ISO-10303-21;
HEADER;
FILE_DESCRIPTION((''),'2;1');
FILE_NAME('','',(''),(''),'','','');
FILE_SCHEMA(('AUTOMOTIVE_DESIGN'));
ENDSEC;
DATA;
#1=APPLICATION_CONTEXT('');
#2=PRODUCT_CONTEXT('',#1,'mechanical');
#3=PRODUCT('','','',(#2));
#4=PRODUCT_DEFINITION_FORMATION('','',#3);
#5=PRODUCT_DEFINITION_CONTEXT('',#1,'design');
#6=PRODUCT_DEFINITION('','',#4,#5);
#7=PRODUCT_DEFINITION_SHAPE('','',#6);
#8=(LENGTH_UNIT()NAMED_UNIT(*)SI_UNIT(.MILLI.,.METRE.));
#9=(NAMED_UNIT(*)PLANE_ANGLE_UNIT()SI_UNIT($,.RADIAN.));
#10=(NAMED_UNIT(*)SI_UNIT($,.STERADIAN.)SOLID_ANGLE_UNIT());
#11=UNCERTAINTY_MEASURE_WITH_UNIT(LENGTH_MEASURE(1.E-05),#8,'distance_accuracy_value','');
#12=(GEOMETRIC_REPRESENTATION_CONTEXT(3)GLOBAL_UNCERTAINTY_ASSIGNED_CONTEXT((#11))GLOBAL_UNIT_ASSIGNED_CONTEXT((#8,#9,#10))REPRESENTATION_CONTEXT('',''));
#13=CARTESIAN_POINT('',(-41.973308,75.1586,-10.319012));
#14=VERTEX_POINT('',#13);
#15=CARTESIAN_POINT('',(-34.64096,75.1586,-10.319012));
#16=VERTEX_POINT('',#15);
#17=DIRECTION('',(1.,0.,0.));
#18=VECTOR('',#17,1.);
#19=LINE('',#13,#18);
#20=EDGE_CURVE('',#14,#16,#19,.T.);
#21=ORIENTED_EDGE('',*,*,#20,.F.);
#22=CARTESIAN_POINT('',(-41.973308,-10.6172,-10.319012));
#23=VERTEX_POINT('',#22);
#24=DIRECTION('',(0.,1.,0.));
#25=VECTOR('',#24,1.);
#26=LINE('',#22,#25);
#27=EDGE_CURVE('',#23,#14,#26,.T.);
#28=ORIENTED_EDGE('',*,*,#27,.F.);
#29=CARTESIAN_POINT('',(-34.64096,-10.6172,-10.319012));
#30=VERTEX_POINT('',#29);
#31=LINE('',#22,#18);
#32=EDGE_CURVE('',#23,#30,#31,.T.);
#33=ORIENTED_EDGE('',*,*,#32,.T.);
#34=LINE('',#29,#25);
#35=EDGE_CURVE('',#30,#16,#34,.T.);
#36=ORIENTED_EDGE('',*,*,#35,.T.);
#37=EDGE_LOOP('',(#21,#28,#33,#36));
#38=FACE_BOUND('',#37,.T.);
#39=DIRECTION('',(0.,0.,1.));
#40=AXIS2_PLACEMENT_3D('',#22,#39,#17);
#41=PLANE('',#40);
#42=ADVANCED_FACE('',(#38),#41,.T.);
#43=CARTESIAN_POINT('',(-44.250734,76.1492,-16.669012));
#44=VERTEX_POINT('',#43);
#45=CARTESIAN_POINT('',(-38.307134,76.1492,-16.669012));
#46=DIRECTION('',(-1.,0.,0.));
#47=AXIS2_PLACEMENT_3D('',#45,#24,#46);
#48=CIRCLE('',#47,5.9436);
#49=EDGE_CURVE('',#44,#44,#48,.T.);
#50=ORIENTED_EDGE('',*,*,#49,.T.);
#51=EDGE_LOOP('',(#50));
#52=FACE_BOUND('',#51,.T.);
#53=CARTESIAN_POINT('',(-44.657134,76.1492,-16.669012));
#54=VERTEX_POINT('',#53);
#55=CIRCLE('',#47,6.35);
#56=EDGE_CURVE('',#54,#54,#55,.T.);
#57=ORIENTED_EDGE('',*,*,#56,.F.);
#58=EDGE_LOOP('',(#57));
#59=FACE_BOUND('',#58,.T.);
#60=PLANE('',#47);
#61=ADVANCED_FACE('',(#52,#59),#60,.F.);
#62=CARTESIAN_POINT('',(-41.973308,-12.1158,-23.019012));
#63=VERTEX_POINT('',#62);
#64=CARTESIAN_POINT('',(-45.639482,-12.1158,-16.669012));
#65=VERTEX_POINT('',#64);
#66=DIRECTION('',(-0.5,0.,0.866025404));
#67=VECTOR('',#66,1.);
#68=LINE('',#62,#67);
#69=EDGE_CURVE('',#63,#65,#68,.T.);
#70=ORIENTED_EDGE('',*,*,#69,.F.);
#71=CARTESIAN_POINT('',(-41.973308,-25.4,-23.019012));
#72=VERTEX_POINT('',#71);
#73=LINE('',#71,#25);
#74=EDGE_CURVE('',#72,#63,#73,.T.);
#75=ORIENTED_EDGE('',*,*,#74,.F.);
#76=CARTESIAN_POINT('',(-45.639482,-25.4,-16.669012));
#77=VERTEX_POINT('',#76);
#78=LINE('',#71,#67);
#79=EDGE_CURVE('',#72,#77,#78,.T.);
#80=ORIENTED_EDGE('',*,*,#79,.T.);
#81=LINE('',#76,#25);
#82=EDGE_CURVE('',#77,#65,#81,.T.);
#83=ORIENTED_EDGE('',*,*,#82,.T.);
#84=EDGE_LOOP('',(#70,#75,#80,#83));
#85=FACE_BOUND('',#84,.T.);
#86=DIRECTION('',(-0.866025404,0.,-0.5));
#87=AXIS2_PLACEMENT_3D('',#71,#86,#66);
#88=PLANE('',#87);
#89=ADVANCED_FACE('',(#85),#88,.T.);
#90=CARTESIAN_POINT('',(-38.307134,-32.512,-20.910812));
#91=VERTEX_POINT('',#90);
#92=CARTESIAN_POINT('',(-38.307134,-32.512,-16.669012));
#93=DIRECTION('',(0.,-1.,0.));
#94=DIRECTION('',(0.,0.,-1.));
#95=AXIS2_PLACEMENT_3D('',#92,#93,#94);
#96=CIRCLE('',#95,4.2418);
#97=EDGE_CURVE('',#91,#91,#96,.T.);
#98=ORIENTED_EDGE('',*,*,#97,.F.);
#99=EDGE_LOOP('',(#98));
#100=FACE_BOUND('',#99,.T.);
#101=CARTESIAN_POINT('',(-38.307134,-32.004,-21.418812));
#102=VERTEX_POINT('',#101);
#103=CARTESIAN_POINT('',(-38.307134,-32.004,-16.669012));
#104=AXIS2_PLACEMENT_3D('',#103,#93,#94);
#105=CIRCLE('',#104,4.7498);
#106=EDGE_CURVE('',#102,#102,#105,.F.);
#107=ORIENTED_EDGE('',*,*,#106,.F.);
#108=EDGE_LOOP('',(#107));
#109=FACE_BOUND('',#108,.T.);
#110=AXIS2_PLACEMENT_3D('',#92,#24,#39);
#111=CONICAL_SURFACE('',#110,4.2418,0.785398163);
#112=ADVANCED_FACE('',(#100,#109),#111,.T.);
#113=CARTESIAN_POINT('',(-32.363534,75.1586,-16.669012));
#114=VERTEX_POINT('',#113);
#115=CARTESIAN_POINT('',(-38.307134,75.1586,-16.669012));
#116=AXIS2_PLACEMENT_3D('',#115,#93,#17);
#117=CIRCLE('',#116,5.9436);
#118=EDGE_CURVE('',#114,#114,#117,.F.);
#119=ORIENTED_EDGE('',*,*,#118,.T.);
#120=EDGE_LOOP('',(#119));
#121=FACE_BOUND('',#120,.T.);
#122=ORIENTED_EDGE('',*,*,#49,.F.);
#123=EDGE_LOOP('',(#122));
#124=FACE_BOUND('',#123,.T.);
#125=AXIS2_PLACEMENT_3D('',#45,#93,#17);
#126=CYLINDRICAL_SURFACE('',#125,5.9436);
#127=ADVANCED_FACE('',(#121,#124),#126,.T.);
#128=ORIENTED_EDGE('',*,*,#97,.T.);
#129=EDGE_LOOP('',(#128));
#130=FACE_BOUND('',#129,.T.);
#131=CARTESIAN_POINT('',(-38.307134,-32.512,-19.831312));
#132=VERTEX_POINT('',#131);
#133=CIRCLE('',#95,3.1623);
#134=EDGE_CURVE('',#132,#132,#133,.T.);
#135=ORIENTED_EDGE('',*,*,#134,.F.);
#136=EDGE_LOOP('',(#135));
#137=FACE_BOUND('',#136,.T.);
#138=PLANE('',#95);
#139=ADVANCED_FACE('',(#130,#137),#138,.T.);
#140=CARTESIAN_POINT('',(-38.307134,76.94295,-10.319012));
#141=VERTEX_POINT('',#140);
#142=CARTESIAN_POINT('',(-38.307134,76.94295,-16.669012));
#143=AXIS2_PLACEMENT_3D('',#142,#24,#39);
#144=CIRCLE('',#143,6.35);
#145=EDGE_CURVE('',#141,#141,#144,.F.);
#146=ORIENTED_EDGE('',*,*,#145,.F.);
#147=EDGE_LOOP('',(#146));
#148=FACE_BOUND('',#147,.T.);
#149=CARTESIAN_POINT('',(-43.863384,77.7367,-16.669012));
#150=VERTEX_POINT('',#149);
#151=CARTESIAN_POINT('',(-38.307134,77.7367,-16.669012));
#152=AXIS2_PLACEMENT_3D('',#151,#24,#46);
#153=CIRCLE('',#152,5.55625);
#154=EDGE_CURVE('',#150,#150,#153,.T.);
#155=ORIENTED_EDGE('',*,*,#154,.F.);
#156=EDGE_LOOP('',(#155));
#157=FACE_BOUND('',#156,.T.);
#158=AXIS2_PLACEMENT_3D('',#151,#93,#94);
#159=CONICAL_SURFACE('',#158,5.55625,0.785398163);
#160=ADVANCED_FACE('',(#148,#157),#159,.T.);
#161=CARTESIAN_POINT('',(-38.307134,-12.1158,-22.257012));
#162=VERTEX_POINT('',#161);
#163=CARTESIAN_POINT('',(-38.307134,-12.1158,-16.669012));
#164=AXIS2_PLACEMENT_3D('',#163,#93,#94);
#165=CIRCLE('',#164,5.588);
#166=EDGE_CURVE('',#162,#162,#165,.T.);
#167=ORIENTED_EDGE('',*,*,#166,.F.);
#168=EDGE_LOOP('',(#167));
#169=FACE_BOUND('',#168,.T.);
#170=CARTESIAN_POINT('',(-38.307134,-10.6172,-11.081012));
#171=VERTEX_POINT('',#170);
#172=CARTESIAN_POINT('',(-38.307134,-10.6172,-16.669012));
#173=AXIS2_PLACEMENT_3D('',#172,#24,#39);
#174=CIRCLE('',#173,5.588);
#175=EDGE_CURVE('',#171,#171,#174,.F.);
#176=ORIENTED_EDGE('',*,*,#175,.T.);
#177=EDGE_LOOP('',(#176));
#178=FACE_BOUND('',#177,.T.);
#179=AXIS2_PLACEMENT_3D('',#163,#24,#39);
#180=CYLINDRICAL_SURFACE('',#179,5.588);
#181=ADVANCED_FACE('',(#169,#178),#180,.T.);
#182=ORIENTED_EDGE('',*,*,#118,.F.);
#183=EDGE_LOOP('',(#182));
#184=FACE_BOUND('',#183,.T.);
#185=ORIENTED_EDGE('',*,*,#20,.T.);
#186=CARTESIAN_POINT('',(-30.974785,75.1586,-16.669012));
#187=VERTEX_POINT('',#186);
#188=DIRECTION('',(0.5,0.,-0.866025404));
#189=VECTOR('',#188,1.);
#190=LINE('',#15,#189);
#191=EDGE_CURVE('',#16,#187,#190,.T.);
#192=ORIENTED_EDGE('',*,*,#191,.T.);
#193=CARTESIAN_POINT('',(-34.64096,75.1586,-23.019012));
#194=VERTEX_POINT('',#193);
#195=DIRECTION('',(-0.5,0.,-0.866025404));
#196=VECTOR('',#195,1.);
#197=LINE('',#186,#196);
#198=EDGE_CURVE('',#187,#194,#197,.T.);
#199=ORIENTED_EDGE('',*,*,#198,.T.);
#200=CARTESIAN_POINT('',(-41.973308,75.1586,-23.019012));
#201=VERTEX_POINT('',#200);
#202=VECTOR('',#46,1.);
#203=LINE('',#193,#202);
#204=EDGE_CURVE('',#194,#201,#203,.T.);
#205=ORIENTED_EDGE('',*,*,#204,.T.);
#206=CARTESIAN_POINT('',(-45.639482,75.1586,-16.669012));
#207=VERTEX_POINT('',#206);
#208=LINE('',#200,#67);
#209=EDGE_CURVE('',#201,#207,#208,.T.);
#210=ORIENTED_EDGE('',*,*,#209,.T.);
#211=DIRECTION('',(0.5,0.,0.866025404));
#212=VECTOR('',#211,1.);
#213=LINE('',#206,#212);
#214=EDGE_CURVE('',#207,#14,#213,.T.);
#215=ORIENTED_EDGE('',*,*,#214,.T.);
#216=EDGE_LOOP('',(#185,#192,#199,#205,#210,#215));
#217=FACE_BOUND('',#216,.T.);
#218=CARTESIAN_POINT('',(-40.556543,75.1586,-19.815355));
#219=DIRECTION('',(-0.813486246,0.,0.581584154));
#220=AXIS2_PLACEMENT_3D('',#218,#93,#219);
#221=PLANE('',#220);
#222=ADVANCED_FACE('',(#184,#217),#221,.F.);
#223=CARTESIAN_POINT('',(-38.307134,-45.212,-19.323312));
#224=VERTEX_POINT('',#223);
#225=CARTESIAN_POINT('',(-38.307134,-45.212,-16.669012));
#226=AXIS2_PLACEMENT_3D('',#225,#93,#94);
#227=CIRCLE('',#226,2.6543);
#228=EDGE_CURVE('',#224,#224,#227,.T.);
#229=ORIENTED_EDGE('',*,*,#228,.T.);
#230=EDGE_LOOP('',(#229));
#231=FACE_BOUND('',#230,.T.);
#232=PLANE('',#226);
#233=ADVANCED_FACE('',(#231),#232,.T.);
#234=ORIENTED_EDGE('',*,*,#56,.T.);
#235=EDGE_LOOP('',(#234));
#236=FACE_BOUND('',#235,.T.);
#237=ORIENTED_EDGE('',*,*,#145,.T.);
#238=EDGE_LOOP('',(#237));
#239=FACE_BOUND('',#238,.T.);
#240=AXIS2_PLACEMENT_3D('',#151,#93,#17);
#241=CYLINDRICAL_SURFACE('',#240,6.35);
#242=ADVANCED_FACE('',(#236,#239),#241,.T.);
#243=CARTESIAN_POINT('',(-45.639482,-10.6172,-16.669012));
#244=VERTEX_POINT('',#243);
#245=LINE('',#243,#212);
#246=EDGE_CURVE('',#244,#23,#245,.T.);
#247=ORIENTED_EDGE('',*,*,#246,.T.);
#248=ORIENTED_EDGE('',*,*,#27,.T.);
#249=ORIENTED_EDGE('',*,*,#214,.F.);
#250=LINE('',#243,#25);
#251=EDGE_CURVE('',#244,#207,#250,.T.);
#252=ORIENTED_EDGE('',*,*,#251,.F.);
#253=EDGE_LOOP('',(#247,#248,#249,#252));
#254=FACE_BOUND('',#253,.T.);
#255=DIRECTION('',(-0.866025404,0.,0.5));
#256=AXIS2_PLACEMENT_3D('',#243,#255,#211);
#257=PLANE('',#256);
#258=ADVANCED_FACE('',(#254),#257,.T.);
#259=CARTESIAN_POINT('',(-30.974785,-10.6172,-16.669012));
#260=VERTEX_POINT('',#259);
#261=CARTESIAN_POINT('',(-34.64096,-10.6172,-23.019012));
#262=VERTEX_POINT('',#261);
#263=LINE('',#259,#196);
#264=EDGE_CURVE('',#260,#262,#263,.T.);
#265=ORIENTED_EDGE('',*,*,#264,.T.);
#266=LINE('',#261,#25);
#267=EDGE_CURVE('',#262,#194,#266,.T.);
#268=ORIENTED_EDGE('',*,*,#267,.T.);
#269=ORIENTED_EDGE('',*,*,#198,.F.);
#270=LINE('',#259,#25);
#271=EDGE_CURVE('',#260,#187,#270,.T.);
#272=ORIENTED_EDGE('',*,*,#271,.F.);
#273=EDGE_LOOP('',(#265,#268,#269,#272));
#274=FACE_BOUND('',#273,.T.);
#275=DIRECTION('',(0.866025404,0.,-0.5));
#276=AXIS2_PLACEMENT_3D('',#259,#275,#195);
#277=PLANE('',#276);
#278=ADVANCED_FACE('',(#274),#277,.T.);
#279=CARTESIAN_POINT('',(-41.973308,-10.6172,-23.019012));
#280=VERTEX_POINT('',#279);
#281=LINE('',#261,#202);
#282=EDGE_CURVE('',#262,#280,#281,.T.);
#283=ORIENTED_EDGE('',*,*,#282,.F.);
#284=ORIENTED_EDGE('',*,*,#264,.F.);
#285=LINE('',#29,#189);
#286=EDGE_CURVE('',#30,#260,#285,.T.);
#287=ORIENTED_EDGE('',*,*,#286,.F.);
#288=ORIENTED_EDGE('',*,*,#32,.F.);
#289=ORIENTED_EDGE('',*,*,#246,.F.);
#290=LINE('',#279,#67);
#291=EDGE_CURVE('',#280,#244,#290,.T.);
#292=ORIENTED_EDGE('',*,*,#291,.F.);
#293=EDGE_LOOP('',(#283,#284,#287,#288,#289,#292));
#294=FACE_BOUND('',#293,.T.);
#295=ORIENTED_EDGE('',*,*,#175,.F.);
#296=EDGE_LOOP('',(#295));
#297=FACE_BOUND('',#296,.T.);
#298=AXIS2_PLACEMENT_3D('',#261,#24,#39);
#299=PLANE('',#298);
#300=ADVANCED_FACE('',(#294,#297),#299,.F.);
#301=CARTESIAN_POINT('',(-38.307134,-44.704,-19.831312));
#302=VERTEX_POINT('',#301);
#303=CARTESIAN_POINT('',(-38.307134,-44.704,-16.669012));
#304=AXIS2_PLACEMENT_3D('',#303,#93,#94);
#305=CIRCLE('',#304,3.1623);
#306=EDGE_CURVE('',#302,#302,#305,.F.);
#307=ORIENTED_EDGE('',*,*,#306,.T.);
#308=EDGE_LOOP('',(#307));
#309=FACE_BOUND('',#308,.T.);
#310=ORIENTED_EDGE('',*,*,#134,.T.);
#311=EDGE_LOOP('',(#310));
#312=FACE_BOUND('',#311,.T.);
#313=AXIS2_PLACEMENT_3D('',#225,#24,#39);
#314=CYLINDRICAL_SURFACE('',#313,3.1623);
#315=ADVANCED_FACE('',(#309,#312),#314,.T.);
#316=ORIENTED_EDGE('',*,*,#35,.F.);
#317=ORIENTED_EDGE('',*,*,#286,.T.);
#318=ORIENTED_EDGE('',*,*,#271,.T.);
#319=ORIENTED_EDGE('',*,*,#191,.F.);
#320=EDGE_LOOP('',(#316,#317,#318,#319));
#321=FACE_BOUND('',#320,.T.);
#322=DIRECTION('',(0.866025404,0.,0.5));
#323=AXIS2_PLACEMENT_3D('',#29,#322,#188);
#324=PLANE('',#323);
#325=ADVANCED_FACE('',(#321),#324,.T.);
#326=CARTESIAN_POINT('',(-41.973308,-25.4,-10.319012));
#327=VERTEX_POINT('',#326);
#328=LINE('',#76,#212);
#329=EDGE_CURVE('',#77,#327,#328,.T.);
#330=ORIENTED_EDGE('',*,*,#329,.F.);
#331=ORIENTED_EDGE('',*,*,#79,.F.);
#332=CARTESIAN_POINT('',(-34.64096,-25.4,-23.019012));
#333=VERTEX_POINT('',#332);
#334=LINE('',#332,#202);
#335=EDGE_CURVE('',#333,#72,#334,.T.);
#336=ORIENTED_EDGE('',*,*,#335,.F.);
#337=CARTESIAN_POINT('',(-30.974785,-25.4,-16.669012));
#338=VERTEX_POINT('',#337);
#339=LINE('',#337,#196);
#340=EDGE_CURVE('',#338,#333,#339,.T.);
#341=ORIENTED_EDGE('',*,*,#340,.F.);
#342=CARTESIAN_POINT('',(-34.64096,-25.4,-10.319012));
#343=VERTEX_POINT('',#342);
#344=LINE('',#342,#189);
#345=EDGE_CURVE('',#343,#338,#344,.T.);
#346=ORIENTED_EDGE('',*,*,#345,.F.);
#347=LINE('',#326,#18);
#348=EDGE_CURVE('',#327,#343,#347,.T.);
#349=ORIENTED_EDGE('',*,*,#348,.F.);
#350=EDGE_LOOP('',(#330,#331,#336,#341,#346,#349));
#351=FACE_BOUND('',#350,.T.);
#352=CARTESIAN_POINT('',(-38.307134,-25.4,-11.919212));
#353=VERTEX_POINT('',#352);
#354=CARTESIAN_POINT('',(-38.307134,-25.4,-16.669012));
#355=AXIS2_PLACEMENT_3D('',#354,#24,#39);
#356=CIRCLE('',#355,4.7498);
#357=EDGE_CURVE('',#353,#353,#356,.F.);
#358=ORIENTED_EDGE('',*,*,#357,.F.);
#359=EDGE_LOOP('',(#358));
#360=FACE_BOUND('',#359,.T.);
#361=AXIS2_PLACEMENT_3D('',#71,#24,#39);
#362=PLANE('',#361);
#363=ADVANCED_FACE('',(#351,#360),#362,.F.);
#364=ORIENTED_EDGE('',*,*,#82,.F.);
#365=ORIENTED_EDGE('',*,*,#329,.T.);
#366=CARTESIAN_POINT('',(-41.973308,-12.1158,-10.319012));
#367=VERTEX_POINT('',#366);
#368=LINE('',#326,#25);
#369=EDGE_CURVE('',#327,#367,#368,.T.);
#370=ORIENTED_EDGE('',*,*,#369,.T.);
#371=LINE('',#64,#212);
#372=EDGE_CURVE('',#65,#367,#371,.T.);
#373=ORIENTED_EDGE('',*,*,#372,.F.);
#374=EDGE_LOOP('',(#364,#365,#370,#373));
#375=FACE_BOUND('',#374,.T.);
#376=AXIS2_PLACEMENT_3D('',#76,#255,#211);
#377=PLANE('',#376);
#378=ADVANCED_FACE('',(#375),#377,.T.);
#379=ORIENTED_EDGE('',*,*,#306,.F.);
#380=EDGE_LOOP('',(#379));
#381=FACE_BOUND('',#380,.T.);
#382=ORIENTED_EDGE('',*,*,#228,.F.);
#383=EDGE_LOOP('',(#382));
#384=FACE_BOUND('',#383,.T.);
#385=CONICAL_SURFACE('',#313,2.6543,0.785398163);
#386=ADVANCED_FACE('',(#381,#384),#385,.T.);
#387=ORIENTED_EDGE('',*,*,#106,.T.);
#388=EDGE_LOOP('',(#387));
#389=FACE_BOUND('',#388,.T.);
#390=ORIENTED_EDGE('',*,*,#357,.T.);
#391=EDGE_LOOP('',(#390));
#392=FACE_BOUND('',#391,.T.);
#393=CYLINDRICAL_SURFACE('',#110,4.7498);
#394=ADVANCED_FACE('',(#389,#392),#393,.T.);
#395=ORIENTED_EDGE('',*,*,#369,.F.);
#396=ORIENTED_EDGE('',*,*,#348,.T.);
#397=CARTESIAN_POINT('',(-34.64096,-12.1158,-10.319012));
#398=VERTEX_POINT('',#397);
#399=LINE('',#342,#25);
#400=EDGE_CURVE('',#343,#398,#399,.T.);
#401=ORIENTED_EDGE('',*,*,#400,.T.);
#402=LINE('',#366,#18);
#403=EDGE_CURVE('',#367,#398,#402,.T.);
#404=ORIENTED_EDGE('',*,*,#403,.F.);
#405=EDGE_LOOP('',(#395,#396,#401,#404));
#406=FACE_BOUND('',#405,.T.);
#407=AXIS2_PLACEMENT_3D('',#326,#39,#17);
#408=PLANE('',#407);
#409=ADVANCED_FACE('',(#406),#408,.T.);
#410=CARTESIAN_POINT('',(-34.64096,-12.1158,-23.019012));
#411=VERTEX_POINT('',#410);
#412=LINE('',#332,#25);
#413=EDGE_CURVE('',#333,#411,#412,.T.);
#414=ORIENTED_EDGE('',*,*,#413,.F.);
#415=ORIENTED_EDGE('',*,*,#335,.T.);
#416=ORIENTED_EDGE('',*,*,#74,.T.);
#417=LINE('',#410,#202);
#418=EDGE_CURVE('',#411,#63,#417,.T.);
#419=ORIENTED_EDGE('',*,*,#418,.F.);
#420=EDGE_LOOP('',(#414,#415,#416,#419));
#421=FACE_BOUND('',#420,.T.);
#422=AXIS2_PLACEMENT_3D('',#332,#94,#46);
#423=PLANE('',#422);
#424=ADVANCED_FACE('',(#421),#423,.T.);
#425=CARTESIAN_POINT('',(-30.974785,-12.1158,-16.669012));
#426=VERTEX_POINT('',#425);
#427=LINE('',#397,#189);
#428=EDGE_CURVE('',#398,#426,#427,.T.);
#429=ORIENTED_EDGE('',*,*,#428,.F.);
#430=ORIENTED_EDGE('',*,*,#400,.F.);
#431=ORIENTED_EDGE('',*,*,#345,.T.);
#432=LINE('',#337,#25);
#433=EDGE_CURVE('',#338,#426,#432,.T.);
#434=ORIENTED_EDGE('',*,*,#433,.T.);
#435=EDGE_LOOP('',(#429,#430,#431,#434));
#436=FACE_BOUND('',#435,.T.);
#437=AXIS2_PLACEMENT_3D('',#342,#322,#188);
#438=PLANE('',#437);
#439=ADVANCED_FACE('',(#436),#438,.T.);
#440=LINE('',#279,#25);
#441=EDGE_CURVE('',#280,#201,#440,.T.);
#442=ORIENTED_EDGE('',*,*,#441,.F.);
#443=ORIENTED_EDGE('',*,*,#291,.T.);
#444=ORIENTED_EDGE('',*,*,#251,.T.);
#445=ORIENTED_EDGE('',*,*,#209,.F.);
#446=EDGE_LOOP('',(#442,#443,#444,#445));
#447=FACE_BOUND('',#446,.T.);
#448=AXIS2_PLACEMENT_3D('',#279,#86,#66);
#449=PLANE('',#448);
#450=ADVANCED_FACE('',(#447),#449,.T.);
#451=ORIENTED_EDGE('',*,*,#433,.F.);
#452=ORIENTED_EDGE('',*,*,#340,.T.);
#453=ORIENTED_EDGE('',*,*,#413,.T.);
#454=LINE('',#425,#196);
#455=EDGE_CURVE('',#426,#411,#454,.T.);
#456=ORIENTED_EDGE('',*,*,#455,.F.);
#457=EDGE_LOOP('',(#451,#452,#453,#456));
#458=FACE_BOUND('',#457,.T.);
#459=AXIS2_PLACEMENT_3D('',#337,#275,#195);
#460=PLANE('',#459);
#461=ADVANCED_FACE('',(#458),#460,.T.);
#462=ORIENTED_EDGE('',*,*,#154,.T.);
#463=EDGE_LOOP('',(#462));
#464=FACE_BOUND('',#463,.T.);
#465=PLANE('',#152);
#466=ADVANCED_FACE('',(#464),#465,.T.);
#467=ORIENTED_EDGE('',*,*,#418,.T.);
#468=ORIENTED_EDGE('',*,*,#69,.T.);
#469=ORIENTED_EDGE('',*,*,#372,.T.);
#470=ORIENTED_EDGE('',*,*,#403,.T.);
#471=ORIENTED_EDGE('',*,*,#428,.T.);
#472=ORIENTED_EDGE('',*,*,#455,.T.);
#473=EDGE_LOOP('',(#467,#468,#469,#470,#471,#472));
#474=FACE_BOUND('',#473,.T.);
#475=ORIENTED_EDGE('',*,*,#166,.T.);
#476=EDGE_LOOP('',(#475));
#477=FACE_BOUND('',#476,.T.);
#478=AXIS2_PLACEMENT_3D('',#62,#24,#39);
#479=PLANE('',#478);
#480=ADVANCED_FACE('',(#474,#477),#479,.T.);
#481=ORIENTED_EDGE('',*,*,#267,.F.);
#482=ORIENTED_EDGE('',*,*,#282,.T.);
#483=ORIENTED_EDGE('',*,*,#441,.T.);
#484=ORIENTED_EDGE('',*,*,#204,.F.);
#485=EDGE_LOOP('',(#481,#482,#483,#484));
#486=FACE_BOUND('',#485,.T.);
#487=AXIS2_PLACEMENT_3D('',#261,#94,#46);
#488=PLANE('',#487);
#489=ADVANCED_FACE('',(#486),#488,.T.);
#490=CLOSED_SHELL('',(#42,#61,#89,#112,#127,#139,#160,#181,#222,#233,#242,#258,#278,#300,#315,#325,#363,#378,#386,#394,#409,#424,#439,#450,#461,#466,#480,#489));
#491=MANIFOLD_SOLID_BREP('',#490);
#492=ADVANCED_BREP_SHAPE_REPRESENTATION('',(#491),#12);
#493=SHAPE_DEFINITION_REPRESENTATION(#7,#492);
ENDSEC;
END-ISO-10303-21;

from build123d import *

# Parameters (mm, degrees)
BOSS_EXTRUDE1_DEPTH = 10.6172
SKETCH2_R           = 5.588
BOSS_EXTRUDE2_DEPTH = 1.4986
BOSS_EXTRUDE3_DEPTH = 13.2842
SKETCH4_R           = 4.7498
BOSS_EXTRUDE4_DEPTH = 7.112
BOSS_EXTRUDE7_DEPTH = 134.62
SKETCH5_R           = 3.1623
BOSS_EXTRUDE5_DEPTH = 12.7
CHAMFER1_SIZE       = 0.508
CHAMFER2_SIZE       = 0.508
CUT_EXTRUDE2_START  = -59.4614
CUT_EXTRUDE2_DEPTH  = 59.4614
SKETCH12_R          = 5.9436
BOSS_EXTRUDE8_DEPTH = 0.9906
SKETCH13_R          = 6.35
BOSS_EXTRUDE9_DEPTH = 1.5875
CHAMFER3_SIZE       = 0.79375


with BuildPart() as part:
    # Sketch1 → Boss-Extrude1 (new body)
    with BuildSketch(Plane(origin=(0, 0, 0), x_dir=(1, 0, 0), z_dir=(0, 1, 0))):
        Polygon((-34.640959507, 23.019011646), (-41.973307925, 23.019011646), (-45.639482135, 16.669011646), (-41.973307925, 10.319011646), (-34.640959507, 10.319011646), (-30.974785297, 16.669011646), align=None)
    extrude(amount=-BOSS_EXTRUDE1_DEPTH)

    # Sketch2 → Boss-Extrude2 (add)
    with BuildSketch(Plane.XZ.offset(10.6172)):
        with Locations(Location((-38.307133716, -16.669011646, 0), (0, 0, 90))):
            Circle(SKETCH2_R)
    extrude(amount=BOSS_EXTRUDE2_DEPTH)

    # Sketch3 → Boss-Extrude3 (add)
    with BuildSketch(Plane(origin=(0, -12.1158, 0), x_dir=(-1, 0, 0), z_dir=(0, 1, 0))):
        Polygon((41.973307925, -23.019011646), (45.639482135, -16.669011646), (41.973307925, -10.319011646), (34.640959507, -10.319011646), (30.974785297, -16.669011646), (34.640959507, -23.019011646), align=None)
    extrude(amount=-BOSS_EXTRUDE3_DEPTH)

    # Sketch4 → Boss-Extrude4 (add)
    with BuildSketch(Plane.XZ.offset(25.4)):
        with Locations(Location((-38.307133716, -16.669011646, 0), (0, 0, 90))):
            Circle(SKETCH4_R)
    extrude(amount=BOSS_EXTRUDE4_DEPTH)

    # Sketch10 → Boss-Extrude7 (add)
    with BuildSketch(Plane(origin=(0, 0, 0), x_dir=(1, 0, 0), z_dir=(0, 1, 0))):
        Polygon((-30.974785297, 16.669011646), (-34.640959507, 23.019011646), (-41.973307925, 23.019011646), (-45.639482135, 16.669011646), (-41.973307925, 10.319011646), (-34.640959507, 10.319011646), align=None)
    extrude(amount=BOSS_EXTRUDE7_DEPTH)

    # Sketch5 → Boss-Extrude5 (add)
    with BuildSketch(Plane.XZ.offset(32.512)):
        with Locations(Location((-38.307133716, -16.669011646, 0), (0, 0, 270))):
            Circle(SKETCH5_R)
    extrude(amount=BOSS_EXTRUDE5_DEPTH)

    # Chamfer1
    chamfer1_edges = [part.edges().sort_by_distance(p)[0] for p in [
        (-38.307133716, -45.212, -13.506711646),
    ]]
    chamfer(chamfer1_edges, length=CHAMFER1_SIZE)

    # Chamfer2
    chamfer2_edges = [part.edges().sort_by_distance(p)[0] for p in [
        (-38.307133716, -32.512, -21.418811646),
    ]]
    chamfer(chamfer2_edges, length=CHAMFER2_SIZE)

    # Sketch11 → Cut-Extrude2 (cut)
    with BuildSketch(Plane(origin=(0, 134.62, 0), x_dir=(1, 0, 0), z_dir=(0, 1, 0)).offset(CUT_EXTRUDE2_START)):
        Polygon((-34.640959507, 10.319011646), (-30.974785297, 16.669011646), (-34.640959507, 23.019011646), (-41.973307925, 23.019011646), (-45.639482135, 16.669011646), (-41.973307925, 10.319011646), align=None)
    extrude(amount=CUT_EXTRUDE2_DEPTH, mode=Mode.SUBTRACT)

    # Sketch12 → Boss-Extrude8 (add)
    with BuildSketch(Plane(origin=(0, 75.1586, 0), x_dir=(1, 0, 0), z_dir=(0, 1, 0))):
        with Locations((-38.307133716, 16.669011646)):
            Circle(SKETCH12_R)
    extrude(amount=BOSS_EXTRUDE8_DEPTH)

    # Sketch13 → Boss-Extrude9 (add)
    with BuildSketch(Plane(origin=(0, 76.1492, 0), x_dir=(1, 0, 0), z_dir=(0, 1, 0))):
        with Locations(Location((-38.307133716, 16.669011646, 0), (0, 0, 180))):
            Circle(SKETCH13_R)
    extrude(amount=BOSS_EXTRUDE9_DEPTH)

    # Chamfer3
    chamfer3_edges = [part.edges().sort_by_distance(p)[0] for p in [
        (-31.957133716, 77.7367, -16.669011646),
    ]]
    chamfer(chamfer3_edges, length=CHAMFER3_SIZE)


solid = part.part
